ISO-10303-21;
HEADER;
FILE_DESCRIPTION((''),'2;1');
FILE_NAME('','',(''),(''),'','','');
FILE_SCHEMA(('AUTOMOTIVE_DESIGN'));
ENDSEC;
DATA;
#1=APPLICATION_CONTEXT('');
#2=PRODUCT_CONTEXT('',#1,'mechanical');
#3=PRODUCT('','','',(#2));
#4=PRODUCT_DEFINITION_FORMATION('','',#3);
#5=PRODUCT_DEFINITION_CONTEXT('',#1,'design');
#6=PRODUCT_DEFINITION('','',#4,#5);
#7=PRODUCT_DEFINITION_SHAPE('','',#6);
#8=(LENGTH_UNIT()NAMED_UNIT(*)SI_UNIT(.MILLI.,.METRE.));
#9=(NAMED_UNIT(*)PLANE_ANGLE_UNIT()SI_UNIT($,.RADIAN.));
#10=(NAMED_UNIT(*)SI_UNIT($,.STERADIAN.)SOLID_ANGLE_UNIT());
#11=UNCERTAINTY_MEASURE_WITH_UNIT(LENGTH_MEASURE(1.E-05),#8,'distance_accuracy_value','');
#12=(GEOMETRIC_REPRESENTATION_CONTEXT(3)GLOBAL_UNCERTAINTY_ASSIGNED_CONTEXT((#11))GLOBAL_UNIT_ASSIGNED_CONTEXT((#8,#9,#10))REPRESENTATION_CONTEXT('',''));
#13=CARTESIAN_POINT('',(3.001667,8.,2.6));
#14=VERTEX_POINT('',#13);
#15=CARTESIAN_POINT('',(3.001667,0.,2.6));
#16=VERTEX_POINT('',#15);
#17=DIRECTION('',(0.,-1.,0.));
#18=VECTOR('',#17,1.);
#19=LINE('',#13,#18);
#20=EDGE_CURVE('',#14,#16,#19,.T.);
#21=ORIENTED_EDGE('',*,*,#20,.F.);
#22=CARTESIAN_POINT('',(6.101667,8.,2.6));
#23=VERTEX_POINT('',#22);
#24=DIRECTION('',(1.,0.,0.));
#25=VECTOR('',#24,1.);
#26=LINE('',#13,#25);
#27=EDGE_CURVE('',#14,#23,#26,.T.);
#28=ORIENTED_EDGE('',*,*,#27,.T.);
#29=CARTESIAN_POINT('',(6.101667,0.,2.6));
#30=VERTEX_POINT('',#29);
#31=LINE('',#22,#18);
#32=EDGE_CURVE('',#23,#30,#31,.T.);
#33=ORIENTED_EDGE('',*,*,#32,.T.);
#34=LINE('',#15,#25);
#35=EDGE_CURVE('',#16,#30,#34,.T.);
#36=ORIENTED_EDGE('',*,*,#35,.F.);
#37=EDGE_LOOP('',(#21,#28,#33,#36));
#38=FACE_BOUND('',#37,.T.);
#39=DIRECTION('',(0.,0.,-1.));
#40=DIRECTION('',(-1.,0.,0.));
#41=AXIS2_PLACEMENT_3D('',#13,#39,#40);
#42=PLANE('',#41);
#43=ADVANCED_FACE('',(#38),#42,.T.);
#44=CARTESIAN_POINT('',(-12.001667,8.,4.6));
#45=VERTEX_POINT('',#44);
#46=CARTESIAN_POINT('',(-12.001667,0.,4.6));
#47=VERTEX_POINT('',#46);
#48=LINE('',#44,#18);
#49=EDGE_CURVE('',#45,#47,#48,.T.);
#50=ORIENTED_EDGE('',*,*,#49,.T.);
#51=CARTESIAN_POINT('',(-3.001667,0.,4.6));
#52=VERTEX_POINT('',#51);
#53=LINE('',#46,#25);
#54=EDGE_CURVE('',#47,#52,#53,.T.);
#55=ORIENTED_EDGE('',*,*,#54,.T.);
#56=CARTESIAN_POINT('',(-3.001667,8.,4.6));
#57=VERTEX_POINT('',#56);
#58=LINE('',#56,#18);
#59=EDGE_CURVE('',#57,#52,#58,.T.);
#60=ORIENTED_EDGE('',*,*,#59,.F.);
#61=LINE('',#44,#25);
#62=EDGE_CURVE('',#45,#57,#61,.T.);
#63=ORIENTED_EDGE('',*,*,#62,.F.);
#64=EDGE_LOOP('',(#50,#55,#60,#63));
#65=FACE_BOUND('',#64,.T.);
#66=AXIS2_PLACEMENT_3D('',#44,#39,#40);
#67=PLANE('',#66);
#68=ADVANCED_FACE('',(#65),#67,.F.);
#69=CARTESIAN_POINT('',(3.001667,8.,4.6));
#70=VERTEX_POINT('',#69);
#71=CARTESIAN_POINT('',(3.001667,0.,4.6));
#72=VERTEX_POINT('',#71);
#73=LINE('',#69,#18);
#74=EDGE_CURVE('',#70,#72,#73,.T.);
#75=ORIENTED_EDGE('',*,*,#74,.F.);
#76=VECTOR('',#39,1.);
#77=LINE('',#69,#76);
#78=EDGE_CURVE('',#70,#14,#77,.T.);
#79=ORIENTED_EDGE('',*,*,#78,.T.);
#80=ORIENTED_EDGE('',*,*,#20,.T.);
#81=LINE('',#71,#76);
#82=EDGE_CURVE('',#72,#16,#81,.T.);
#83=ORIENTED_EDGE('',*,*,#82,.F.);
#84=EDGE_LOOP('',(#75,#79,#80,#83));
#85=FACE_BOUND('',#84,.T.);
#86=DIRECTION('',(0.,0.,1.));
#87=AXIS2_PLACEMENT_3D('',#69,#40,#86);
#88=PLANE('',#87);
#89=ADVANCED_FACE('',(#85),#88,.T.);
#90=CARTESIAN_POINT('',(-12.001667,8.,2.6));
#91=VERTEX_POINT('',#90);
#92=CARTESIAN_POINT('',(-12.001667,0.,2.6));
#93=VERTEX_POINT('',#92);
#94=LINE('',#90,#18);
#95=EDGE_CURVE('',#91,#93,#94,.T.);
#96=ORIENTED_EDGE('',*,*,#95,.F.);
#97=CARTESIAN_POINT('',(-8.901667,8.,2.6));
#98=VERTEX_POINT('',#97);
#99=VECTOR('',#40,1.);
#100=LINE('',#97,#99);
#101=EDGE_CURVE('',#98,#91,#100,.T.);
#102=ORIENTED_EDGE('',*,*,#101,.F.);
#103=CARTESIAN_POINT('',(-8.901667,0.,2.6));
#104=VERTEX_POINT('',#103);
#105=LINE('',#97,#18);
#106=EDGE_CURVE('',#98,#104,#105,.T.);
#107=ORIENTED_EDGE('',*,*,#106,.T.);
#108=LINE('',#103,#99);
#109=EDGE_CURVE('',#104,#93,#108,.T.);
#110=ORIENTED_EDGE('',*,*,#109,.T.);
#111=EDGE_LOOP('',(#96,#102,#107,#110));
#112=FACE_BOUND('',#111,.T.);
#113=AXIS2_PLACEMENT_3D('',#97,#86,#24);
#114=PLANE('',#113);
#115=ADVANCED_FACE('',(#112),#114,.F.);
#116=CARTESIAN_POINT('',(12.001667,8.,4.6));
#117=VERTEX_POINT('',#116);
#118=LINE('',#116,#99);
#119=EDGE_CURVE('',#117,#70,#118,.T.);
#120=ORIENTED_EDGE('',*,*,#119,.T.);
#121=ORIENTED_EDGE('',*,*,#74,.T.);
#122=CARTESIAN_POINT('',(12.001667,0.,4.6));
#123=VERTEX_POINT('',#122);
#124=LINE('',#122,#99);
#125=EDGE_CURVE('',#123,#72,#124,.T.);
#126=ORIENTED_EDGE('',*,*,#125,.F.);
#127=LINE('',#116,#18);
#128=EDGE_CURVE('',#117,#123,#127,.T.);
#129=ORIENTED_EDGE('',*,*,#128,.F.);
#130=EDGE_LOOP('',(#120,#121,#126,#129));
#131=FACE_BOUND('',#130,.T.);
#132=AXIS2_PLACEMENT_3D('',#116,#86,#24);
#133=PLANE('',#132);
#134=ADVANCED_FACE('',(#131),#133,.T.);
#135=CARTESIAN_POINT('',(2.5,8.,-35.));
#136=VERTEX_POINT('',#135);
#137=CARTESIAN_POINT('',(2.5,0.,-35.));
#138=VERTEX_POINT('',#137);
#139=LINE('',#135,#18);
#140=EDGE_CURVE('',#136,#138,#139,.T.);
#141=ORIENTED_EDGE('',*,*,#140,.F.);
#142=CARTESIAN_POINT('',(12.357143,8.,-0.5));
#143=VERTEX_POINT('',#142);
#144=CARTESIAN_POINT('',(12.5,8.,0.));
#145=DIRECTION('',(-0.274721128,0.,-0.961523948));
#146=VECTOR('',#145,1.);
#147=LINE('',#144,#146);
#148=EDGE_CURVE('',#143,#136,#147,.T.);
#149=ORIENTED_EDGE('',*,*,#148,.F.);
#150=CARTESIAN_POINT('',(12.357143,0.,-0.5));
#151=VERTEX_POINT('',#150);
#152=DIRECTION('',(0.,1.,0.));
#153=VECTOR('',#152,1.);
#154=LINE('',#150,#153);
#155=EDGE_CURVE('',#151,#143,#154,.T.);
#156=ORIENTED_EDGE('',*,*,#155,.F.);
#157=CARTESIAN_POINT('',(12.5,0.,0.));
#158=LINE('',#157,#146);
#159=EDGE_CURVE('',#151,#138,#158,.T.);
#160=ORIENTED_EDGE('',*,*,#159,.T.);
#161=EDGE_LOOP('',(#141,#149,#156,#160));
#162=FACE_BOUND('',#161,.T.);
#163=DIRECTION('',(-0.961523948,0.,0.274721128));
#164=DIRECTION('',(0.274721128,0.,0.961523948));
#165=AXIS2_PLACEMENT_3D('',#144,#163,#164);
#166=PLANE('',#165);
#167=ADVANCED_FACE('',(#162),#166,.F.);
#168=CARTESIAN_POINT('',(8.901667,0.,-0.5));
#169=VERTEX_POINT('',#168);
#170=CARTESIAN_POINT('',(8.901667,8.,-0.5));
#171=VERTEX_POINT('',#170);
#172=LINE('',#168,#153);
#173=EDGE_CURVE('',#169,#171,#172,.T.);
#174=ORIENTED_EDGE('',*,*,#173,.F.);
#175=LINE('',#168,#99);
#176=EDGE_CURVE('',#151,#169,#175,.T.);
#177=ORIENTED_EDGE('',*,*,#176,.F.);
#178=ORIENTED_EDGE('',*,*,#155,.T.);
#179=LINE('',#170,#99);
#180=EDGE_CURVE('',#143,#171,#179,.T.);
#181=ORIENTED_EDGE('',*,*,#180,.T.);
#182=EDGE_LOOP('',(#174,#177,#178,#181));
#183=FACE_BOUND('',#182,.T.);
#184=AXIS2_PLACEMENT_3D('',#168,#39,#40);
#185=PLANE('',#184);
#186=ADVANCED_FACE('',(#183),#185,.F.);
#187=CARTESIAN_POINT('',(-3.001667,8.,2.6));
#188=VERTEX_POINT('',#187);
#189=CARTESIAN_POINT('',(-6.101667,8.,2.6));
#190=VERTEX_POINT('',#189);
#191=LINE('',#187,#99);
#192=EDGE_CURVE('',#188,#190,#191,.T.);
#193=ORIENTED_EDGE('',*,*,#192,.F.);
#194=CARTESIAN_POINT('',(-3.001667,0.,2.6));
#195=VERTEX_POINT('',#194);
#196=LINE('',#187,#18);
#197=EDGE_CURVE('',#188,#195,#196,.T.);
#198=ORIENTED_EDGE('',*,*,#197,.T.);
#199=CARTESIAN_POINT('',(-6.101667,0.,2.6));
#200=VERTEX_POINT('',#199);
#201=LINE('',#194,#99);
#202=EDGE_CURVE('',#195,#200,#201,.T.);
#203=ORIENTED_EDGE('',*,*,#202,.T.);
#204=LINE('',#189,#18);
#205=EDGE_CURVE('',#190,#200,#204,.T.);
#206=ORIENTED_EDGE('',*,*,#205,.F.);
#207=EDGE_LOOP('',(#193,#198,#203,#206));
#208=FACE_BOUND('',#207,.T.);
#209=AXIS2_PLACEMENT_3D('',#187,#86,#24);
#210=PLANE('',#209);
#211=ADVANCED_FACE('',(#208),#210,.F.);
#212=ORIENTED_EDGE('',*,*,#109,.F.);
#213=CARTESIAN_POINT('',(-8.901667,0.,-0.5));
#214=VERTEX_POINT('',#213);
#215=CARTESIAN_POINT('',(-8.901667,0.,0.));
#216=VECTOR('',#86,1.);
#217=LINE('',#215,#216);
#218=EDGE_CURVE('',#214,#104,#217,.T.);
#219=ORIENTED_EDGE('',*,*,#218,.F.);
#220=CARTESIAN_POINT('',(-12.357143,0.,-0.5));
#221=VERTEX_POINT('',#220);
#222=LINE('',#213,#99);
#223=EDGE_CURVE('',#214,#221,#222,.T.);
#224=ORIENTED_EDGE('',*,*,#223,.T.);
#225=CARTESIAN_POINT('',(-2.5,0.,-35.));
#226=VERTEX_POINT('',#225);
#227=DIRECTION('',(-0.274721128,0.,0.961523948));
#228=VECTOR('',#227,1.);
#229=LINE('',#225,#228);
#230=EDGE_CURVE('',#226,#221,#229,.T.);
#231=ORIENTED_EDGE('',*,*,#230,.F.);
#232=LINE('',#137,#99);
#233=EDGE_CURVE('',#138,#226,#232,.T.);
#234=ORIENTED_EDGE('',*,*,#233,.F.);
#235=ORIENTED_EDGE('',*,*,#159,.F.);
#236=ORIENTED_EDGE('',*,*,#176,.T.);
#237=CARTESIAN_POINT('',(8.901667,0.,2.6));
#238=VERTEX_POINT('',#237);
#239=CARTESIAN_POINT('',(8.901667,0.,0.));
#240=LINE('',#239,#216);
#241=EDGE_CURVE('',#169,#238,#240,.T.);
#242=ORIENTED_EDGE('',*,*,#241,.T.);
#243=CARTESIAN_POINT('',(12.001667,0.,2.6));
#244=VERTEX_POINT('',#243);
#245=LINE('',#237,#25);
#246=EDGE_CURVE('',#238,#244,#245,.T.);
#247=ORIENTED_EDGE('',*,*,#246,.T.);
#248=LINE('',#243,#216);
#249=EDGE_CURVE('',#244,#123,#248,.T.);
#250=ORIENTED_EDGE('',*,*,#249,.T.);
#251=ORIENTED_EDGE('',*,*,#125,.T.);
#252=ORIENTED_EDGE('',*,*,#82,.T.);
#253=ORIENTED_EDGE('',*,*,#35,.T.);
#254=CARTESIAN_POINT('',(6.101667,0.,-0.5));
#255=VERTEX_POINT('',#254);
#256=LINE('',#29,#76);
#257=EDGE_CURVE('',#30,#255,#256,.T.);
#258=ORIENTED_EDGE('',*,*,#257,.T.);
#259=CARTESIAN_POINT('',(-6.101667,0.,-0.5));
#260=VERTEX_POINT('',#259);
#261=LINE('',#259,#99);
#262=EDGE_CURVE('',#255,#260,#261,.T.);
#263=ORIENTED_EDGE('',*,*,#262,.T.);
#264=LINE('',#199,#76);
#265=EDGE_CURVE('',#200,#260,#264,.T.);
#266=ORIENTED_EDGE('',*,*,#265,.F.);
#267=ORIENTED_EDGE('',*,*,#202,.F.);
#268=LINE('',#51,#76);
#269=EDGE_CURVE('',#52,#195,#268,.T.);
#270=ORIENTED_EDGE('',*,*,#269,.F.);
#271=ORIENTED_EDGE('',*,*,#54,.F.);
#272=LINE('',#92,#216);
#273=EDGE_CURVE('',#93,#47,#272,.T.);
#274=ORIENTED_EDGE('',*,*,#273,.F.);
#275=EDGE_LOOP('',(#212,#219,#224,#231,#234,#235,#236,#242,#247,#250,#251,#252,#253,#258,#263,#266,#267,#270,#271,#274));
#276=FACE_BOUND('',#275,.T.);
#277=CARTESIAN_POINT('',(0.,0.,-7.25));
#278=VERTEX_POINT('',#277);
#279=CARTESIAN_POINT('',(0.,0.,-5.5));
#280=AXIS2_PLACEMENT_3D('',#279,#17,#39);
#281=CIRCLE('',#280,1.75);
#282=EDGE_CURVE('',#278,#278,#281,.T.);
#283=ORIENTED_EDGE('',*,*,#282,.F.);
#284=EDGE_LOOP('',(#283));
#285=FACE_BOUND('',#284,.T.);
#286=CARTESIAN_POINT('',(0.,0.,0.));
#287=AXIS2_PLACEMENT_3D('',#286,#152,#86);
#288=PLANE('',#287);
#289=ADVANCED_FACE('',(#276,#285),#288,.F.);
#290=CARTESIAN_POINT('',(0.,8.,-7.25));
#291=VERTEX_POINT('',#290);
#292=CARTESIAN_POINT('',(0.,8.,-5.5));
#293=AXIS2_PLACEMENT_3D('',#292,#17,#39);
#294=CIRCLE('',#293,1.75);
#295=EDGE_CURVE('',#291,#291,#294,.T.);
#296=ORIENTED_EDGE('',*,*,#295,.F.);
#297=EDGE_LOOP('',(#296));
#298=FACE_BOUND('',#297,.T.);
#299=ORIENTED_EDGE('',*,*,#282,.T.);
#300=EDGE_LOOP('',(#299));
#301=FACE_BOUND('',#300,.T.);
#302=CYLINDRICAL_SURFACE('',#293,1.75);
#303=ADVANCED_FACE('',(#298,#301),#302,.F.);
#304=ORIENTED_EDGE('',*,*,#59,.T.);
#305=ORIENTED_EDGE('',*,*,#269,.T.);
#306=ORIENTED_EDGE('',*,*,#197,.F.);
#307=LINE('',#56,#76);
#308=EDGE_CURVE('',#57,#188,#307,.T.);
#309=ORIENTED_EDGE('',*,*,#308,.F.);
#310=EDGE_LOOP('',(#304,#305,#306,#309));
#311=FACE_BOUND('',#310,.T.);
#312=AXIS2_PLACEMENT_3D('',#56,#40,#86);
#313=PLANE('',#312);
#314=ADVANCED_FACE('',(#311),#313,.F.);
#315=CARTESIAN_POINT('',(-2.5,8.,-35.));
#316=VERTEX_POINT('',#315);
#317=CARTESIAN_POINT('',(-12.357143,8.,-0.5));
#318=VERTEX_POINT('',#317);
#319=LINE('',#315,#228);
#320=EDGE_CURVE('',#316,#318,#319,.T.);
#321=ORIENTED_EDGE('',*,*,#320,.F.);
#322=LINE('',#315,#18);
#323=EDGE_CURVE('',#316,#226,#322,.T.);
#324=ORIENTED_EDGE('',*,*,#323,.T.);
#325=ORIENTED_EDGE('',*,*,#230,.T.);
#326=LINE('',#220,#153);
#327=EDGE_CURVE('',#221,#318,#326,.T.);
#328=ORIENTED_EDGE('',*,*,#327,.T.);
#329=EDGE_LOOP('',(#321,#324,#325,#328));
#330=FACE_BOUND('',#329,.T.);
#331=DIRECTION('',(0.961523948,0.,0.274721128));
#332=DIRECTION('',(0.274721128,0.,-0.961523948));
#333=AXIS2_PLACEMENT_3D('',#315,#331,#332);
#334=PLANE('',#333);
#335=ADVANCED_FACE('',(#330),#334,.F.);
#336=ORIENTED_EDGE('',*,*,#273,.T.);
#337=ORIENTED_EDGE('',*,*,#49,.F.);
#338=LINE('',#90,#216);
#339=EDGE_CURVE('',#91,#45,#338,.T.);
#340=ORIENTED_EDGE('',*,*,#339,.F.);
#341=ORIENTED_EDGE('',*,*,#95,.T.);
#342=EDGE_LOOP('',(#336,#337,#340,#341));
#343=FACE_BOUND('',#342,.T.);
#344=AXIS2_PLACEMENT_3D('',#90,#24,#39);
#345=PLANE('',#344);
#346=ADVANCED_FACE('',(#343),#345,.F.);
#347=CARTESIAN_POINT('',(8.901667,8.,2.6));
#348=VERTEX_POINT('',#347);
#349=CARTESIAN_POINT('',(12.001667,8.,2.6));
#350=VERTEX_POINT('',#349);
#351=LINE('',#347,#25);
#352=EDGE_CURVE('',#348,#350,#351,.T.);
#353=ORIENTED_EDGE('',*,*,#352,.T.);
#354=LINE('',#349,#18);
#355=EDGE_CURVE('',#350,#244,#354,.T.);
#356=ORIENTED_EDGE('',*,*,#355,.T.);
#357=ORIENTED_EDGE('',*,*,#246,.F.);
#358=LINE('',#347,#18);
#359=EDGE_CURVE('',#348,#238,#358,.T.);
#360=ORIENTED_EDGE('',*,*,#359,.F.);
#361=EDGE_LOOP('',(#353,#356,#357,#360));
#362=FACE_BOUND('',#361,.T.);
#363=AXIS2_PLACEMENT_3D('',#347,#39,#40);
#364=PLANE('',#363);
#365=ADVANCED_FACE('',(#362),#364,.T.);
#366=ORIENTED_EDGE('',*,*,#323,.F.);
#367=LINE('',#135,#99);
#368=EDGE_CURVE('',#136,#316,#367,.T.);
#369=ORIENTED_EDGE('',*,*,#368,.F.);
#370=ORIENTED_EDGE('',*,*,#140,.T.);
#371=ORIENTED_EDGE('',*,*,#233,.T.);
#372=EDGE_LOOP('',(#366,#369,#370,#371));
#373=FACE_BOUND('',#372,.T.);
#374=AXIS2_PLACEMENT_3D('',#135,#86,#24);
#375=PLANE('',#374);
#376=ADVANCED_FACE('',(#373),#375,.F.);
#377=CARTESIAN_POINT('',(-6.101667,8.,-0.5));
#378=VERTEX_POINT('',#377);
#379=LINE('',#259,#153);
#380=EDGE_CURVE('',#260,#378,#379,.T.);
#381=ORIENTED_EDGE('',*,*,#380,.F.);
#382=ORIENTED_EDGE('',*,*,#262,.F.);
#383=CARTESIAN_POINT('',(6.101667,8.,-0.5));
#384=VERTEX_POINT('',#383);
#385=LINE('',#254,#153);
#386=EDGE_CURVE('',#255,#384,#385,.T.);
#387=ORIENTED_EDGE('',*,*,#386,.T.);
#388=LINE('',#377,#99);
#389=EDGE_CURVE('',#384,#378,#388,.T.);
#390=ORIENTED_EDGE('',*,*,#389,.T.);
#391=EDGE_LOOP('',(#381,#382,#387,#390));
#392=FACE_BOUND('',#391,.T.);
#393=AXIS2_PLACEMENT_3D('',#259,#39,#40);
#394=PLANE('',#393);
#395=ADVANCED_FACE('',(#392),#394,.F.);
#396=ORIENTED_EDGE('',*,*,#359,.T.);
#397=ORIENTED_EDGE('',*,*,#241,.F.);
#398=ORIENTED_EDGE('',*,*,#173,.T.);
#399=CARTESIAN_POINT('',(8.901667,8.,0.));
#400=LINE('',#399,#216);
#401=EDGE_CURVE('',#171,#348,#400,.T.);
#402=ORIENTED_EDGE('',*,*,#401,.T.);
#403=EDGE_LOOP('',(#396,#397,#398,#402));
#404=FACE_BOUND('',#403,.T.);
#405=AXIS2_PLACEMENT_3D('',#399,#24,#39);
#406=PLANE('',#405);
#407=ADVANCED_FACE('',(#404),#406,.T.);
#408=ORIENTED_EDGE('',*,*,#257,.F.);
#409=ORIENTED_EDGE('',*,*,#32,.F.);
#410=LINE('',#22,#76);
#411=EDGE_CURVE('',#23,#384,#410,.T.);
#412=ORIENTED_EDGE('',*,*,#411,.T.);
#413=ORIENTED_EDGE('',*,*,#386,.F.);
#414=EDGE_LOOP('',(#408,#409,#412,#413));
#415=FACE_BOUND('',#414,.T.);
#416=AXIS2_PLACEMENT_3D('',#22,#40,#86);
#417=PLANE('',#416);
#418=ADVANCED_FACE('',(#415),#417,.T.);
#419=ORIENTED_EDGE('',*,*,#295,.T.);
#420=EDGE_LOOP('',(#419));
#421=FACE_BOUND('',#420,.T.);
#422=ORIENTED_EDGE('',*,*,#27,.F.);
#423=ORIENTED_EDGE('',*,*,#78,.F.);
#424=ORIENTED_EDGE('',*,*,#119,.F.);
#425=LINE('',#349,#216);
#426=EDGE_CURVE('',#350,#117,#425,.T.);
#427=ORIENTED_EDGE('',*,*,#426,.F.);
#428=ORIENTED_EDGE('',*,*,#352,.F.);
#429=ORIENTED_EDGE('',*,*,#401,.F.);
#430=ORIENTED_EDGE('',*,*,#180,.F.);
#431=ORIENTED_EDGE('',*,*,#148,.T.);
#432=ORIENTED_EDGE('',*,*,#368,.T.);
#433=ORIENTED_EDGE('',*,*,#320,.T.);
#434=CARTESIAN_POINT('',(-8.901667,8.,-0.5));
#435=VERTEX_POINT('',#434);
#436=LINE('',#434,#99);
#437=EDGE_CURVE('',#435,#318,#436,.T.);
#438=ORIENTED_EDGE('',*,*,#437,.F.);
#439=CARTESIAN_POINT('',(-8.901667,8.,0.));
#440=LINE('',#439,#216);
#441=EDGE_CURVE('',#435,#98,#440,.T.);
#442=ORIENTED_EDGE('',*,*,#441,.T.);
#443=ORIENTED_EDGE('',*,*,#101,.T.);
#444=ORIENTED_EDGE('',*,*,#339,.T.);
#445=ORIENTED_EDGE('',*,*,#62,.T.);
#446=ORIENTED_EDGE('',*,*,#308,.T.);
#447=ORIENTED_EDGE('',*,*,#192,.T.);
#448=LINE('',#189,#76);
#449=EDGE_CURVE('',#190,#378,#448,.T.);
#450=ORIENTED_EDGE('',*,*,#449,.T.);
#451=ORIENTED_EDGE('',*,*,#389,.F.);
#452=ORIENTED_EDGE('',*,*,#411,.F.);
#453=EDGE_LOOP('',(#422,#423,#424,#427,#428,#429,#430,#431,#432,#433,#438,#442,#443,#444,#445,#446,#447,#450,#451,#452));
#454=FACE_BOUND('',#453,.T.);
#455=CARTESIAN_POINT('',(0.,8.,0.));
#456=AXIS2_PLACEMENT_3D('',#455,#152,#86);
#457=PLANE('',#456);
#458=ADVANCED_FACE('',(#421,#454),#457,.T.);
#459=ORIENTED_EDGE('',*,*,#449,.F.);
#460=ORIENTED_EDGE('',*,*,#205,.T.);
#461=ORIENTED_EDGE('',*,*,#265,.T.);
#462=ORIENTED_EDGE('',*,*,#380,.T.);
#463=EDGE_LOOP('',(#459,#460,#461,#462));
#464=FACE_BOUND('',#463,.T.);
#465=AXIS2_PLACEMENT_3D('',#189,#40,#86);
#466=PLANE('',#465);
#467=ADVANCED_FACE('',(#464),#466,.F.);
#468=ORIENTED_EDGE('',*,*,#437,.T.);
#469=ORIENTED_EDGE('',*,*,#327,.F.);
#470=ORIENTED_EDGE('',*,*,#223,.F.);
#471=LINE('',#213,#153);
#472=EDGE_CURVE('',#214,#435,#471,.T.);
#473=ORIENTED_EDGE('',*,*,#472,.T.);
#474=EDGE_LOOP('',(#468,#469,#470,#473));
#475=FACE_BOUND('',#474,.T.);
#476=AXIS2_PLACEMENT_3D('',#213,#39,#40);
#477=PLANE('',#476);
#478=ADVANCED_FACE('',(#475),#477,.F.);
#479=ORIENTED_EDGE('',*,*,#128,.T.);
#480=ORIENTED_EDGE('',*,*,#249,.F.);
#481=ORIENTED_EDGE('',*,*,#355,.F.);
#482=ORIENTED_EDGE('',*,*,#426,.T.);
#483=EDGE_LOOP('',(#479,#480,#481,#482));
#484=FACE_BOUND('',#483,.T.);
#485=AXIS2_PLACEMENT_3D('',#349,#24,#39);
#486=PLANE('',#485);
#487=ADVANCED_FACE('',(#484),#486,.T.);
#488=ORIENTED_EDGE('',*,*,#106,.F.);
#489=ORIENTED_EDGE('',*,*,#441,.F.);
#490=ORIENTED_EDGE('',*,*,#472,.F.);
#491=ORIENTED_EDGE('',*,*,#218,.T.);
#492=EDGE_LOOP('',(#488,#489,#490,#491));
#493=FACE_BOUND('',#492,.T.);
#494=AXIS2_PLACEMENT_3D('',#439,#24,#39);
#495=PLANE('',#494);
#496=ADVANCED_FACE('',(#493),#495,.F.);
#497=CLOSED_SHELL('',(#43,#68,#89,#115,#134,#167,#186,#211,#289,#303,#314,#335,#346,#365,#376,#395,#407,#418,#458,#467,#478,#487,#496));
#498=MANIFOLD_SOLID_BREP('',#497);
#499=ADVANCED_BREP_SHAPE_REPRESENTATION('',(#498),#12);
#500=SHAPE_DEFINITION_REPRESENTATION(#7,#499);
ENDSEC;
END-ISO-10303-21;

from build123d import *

# Parameters (mm, degrees)
BOSS_EXTRUDE1_DEPTH     = 8
BOSS_EXTRU_1_DEPTH      = 8
ESQUISSE3_W             = 12.203333334
ESQUISSE3_H             = 0.5
ENL_V_MAT_EXTRU_1_DEPTH = 39.016443811
SKETCH3_R               = 1.75
CUT_EXTRUDE1_DEPTH      = 38.969711345


with BuildPart() as part:
    # Sketch2 → Boss-Extrude1 (new body)
    with BuildSketch(Plane(origin=(0, 0, 0), x_dir=(1, 0, 0), z_dir=(0, 1, 0))):
        Polygon((12.5, 0), (2.5, 35), (-2.5, 35), (-12.5, 0), align=None)
    extrude(amount=BOSS_EXTRUDE1_DEPTH)

    # Esquisse2 → Boss.-Extru.1 (add)
    with BuildSketch(Plane(origin=(0, 0, 0), x_dir=(1, 0, 0), z_dir=(0, 1, 0))):
        Polygon((-8.901666667, 0), (-8.901666667, -2.6), (-12.001666667, -2.6), (-12.001666667, -4.6), (-3.001666667, -4.6), (-3.001666667, -2.6), (-6.101666667, -2.6), (-6.101666667, 0), align=None)
    boss_extru_1 = extrude(amount=BOSS_EXTRU_1_DEPTH)

    # Symétrie1: Boss.-Extru.1 across plane
    add(boss_extru_1.mirror(Plane(origin=(0, 0, 0), x_dir=(0, 0, 1), z_dir=(1, 0, 0))))

    # Esquisse3 → Enlèv. mat.-Extru.1 (cut, through all)
    with BuildSketch(Plane(origin=(0, 8, 0), x_dir=(1, 0, 0), z_dir=(0, 1, 0))):
        Polygon((-12.5, 0), (-8.901666667, 0), (-8.901666667, 0.5), (-12.357142857, 0.5), align=None)
        with Locations((0, 0.25)):
            Rectangle(ESQUISSE3_W, ESQUISSE3_H)
        Polygon((8.901666667, 0), (8.901666667, 0.5), (12.357142857, 0.5), (12.5, 0), align=None)
    extrude(amount=-ENL_V_MAT_EXTRU_1_DEPTH, mode=Mode.SUBTRACT)

    # Sketch3 → Cut-Extrude1 (cut, through all)
    with BuildSketch(Plane.XZ):
        with Locations(Location((0, -5.5, 0), (0, 0, 270))):
            Circle(SKETCH3_R)
    extrude(amount=-CUT_EXTRUDE1_DEPTH, mode=Mode.SUBTRACT)


solid = part.part
